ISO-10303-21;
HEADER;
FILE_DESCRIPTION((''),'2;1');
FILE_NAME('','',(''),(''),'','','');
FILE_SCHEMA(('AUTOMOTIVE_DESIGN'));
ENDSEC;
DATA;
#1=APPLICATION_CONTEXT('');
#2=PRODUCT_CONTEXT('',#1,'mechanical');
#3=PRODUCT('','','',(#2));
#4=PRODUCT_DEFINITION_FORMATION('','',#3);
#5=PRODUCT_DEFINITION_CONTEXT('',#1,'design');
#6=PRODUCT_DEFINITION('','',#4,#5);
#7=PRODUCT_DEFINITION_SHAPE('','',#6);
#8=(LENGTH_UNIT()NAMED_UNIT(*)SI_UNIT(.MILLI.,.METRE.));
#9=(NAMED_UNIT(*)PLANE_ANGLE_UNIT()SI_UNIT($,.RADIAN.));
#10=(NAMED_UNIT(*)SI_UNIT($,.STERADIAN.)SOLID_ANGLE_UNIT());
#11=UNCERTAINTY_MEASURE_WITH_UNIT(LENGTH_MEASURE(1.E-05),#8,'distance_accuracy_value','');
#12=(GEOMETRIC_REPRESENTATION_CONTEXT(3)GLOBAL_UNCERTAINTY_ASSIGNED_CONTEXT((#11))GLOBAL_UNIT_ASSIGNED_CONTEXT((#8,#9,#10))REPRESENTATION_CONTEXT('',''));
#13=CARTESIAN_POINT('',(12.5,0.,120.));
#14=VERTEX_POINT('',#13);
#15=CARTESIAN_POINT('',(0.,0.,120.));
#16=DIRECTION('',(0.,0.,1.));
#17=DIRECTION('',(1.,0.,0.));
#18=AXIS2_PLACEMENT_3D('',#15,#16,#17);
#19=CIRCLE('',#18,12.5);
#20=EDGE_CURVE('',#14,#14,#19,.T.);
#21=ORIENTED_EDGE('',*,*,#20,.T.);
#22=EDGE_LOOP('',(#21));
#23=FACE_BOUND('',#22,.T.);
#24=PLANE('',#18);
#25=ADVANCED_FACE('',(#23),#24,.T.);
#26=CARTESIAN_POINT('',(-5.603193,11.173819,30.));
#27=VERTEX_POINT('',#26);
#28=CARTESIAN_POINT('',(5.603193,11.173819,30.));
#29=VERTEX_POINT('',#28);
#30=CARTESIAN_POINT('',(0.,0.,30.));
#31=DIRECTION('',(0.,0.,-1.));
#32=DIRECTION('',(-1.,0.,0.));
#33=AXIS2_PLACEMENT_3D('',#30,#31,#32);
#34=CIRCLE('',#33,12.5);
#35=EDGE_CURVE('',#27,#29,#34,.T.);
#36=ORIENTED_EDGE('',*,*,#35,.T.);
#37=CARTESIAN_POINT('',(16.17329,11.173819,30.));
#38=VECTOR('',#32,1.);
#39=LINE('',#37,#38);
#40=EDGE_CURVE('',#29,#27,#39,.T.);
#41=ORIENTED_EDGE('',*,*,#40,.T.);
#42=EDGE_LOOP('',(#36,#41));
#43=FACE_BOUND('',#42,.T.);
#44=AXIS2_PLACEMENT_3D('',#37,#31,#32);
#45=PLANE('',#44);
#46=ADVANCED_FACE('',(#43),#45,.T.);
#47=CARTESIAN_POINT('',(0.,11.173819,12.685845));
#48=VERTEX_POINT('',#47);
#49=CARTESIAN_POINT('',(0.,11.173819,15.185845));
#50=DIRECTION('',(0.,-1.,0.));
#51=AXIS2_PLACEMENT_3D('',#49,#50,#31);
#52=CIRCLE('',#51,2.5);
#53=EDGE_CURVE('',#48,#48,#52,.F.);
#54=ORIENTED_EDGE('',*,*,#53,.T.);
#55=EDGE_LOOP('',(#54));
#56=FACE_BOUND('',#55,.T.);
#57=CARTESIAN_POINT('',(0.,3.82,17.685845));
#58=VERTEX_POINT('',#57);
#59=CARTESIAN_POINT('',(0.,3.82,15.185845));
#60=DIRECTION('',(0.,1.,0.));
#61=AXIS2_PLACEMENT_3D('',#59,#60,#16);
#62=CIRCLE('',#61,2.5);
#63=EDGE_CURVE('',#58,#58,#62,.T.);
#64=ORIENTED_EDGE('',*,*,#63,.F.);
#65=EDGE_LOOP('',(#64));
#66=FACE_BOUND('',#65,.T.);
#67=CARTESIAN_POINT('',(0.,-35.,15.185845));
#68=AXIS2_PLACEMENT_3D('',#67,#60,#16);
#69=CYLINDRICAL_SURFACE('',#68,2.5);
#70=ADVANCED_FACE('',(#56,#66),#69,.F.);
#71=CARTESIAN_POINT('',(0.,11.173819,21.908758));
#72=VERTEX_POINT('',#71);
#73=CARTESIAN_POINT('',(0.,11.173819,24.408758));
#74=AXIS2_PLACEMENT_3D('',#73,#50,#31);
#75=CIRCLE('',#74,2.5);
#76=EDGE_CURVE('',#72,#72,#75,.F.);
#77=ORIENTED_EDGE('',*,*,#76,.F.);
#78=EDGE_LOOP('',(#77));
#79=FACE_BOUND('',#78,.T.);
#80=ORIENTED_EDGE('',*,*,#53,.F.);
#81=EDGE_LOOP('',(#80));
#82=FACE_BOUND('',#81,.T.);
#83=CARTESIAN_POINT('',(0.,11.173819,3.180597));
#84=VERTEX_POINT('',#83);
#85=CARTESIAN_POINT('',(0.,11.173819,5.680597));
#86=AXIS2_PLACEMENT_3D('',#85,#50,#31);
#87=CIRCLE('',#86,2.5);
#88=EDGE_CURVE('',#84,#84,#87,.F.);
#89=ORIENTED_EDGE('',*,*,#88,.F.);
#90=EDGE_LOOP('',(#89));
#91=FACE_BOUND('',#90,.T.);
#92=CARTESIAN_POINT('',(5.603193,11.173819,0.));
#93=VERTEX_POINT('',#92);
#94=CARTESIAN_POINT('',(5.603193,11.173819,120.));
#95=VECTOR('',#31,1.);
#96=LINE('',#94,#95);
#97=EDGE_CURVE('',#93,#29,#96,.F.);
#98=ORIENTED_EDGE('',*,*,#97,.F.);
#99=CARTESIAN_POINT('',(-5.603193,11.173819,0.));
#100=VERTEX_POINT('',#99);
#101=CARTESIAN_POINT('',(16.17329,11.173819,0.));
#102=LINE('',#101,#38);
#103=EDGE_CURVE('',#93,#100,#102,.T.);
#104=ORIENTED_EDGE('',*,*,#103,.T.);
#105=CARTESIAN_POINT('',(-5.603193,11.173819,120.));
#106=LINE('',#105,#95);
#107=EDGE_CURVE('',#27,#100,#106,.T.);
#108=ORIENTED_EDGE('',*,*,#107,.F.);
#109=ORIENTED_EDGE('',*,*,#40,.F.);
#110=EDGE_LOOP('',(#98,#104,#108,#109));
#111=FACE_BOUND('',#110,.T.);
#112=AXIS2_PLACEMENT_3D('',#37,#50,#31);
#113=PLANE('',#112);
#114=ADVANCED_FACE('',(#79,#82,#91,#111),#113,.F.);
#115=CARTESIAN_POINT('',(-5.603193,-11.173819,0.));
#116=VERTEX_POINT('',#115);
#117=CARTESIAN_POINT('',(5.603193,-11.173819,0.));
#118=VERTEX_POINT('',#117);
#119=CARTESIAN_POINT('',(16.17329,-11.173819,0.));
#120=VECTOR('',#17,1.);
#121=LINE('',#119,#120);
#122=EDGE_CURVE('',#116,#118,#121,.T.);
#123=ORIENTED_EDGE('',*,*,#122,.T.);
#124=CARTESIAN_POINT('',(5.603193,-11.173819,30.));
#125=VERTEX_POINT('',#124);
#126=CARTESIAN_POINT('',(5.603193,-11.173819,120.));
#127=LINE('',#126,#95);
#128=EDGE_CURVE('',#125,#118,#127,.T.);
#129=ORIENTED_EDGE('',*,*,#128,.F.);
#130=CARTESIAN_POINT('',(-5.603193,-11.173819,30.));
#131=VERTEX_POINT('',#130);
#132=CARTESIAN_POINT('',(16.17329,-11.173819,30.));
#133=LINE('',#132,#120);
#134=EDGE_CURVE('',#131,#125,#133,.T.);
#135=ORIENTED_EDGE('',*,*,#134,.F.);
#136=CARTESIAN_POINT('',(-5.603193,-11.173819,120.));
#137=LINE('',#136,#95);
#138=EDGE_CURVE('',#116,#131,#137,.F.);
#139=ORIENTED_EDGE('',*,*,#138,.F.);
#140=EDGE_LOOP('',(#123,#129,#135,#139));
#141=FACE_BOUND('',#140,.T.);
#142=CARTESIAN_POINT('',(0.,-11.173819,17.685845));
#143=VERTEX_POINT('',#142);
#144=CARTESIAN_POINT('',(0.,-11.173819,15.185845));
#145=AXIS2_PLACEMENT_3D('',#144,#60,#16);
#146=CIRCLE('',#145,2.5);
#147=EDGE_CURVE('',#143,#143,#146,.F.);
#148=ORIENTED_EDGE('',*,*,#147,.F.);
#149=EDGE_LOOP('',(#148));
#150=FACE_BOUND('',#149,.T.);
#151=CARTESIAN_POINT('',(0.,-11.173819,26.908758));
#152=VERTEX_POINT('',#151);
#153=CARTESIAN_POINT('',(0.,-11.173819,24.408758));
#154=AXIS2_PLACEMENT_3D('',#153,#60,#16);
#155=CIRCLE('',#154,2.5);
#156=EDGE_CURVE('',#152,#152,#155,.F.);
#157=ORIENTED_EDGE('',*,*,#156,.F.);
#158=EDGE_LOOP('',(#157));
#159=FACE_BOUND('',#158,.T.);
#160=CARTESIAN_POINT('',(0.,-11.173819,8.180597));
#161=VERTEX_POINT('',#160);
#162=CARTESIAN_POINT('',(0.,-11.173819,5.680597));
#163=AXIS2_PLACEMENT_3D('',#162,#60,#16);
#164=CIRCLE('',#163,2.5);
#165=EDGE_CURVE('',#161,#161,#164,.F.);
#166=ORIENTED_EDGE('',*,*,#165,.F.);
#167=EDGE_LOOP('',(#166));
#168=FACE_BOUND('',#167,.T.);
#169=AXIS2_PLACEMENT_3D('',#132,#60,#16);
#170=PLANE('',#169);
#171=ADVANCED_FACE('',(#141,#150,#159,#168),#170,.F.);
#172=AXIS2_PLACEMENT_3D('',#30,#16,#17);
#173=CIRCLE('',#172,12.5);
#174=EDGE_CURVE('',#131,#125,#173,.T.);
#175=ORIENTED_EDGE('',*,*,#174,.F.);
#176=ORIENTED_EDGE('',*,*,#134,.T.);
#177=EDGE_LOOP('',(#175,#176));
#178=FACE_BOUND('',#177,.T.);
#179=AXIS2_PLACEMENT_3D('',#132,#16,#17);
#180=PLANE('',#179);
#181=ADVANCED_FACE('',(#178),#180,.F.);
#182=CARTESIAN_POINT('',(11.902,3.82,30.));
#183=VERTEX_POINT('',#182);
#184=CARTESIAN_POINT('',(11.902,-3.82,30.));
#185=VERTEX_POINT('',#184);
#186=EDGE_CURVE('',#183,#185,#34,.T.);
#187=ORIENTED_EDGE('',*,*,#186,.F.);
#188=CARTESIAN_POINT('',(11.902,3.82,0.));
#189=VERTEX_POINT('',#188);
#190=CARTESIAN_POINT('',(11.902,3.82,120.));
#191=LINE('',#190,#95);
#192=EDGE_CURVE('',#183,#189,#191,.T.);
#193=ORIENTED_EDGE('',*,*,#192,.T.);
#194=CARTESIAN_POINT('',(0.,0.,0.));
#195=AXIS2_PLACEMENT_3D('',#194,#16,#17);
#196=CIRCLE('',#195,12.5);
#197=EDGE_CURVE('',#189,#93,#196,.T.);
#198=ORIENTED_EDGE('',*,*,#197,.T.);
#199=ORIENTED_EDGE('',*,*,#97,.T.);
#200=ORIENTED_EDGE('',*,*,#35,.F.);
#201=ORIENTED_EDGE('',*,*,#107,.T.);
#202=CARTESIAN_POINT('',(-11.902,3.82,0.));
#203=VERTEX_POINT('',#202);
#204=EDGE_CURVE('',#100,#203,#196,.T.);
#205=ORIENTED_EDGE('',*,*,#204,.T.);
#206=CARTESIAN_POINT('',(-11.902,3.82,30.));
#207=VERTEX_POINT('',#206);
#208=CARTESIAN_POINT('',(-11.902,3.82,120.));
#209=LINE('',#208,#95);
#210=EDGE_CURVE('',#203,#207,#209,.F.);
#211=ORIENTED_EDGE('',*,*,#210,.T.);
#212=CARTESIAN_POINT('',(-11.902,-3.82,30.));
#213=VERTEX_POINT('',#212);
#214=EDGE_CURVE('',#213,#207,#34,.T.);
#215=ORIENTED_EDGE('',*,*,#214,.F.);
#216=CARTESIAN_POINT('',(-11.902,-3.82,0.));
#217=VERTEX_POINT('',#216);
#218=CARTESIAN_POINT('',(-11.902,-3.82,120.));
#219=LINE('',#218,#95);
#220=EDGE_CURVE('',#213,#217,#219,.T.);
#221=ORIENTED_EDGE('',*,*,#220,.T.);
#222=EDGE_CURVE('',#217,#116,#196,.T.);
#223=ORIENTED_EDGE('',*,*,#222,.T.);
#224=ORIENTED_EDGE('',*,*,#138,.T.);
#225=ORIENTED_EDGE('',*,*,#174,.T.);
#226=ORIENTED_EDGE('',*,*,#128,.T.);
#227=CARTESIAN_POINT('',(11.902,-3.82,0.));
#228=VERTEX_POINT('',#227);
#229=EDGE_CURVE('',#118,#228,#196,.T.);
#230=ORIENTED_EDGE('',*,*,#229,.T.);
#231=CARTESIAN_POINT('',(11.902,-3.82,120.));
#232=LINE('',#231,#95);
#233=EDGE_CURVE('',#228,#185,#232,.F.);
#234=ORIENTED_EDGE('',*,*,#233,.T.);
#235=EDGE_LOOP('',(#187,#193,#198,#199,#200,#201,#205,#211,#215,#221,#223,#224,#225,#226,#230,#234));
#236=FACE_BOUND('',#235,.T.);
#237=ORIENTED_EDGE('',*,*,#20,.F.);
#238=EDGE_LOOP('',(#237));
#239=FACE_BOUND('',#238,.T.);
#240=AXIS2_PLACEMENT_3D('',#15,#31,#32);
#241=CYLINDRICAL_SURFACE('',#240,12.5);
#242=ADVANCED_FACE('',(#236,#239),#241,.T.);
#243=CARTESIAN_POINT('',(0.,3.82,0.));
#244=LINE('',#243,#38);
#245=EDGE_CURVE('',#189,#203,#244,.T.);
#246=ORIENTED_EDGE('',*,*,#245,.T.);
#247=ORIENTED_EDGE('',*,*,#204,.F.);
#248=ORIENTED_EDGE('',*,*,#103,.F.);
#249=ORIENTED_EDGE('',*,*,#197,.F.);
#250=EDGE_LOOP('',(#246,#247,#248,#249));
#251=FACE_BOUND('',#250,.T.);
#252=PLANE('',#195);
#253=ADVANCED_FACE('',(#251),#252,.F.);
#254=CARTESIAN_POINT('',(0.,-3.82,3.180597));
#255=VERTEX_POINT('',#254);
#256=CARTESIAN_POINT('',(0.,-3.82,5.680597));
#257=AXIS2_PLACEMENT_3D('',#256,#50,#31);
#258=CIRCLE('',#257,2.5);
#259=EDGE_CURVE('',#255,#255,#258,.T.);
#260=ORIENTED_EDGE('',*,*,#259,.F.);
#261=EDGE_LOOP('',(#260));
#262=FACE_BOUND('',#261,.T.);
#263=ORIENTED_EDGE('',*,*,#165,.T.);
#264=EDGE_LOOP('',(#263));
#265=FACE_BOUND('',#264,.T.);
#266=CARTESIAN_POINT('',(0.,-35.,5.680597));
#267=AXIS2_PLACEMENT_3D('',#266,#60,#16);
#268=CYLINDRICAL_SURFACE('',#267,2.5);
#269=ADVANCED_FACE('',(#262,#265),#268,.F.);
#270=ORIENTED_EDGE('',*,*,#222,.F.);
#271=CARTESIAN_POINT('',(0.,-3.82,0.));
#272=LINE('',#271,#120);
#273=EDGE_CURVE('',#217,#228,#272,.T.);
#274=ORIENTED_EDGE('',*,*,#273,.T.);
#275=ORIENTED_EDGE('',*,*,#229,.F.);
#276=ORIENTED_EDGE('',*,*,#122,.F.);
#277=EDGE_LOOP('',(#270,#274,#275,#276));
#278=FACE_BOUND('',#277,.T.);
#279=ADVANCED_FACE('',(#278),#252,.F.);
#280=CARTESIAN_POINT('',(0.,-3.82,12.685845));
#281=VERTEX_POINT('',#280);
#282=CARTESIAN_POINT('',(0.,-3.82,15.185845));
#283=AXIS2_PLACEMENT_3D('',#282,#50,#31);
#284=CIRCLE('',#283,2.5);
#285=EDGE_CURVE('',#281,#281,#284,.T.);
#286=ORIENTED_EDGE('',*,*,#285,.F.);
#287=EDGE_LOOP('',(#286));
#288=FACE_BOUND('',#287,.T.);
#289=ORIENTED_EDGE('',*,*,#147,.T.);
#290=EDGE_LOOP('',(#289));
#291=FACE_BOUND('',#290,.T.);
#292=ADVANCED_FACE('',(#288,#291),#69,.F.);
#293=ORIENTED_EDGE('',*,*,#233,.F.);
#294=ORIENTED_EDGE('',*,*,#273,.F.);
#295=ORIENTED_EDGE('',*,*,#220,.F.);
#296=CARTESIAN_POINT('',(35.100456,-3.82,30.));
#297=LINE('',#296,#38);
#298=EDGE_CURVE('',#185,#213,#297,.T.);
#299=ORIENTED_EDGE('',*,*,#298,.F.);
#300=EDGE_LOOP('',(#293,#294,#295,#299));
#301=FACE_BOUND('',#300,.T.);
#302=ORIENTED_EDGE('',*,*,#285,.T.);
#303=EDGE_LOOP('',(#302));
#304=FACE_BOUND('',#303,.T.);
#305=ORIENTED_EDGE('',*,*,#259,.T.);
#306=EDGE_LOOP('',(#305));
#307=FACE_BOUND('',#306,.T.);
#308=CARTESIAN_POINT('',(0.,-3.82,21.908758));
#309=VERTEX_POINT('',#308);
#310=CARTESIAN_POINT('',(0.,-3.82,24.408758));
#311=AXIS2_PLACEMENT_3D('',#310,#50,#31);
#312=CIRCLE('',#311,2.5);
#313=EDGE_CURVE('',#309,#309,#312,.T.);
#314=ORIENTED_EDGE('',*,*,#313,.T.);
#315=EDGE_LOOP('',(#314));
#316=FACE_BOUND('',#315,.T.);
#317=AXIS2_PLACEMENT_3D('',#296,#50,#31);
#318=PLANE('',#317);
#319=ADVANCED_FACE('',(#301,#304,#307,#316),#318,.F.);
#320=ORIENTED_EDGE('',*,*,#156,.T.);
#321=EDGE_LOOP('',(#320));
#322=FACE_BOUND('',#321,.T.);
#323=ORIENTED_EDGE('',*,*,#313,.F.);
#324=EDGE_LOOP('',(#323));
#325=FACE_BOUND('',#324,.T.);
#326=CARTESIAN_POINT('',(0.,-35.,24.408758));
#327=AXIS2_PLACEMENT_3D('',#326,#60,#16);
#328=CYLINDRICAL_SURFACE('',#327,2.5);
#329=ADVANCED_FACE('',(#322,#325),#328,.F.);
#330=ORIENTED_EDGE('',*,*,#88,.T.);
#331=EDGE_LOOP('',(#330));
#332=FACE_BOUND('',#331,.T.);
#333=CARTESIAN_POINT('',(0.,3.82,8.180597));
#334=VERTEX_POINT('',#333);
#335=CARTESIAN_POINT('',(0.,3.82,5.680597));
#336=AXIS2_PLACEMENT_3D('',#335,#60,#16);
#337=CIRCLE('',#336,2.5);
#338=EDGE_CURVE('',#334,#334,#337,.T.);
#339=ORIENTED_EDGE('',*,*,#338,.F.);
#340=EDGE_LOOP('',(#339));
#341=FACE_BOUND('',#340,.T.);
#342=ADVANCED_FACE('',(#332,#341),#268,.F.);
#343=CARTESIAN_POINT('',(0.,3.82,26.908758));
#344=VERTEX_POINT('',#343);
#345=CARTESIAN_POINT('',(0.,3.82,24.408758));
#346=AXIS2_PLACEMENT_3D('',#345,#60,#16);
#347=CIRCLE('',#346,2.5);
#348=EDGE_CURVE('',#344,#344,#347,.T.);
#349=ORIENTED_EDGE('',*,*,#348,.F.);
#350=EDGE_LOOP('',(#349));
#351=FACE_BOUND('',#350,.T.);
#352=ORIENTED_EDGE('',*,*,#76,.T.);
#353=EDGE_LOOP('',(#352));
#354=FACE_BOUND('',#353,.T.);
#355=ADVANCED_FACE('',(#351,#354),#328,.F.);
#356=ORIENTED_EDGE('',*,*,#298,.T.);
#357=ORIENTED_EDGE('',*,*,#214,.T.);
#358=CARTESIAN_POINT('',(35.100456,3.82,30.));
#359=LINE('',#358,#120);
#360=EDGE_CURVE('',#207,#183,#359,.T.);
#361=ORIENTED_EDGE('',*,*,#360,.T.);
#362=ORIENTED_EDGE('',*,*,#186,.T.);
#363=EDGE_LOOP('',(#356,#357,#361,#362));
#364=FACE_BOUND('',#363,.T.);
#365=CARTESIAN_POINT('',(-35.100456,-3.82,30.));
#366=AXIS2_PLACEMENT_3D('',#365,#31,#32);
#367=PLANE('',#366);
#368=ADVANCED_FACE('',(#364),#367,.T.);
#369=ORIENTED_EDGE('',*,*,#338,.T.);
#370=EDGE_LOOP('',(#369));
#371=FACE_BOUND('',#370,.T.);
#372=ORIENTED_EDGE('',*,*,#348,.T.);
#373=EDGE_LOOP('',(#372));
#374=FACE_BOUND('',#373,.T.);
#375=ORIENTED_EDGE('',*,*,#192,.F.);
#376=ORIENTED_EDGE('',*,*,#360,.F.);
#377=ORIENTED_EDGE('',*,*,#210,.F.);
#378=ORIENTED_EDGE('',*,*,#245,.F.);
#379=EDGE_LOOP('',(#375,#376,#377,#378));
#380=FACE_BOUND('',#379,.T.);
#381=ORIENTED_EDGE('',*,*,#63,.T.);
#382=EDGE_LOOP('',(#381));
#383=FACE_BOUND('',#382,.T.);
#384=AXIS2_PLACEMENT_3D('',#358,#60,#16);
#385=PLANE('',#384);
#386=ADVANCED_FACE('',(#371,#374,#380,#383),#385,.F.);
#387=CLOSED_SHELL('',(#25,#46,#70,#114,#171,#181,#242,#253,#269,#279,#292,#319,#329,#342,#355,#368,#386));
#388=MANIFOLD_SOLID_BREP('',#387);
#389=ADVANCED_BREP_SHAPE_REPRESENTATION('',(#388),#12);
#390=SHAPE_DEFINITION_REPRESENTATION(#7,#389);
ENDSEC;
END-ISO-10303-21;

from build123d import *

# Parameters (mm, degrees)
SKETCH_1_R          = 12.5
EXTRUDE_1_DEPTH     = 120
SKETCH_2_W          = 70.200911856
SKETCH_2_H          = 7.64
CUT_EXTRUDE_2_DEPTH = 30
SKETCH_4_R          = 2.5
CUT_EXTRUDE_1_DEPTH = 35
SKETCH_5_W          = 33.79642712
SKETCH_5_H          = 6.499312907
CUT_EXTRUDE_4_DEPTH = 30


with BuildPart() as part:
    # Эскиз1 → Вытянуть1 (new body)
    with BuildSketch(Plane.XY):
        Circle(SKETCH_1_R)
    extrude(amount=EXTRUDE_1_DEPTH)

    # Эскиз2 → Вытянуть2 (cut)
    with BuildSketch(Plane(origin=(0, 0, 0), x_dir=(-1, 0, 0), z_dir=(0, 0, -1))):
        Rectangle(SKETCH_2_W, SKETCH_2_H)
    extrude(amount=-CUT_EXTRUDE_2_DEPTH, mode=Mode.SUBTRACT)

    # Эскиз4 → Вырез-Вытянуть1 (cut, symmetric)
    with BuildSketch(Plane(origin=(0, 0, 0), x_dir=(1, 0, 0), z_dir=(0, 1, 0))):
        with Locations(Location((0, -5.680597097, 0), (0, 0, 270))):
            Circle(SKETCH_4_R)
        with Locations(Location((0, -15.185844734, 0), (0, 0, 270))):
            Circle(SKETCH_4_R)
        with Locations(Location((0, -24.408758256, 0), (0, 0, 270))):
            Circle(SKETCH_4_R)
    extrude(amount=CUT_EXTRUDE_1_DEPTH, both=True, mode=Mode.SUBTRACT)

    # Эскиз5 → Вытянуть4 (cut)
    with BuildSketch(Plane(origin=(0, 0, 0), x_dir=(-1, 0, 0), z_dir=(0, 0, -1))):
        with Locations((0.724923363, -14.423475184)):
            Rectangle(SKETCH_5_W, SKETCH_5_H)
        with Locations((0.724923363, 14.423475184)):
            Rectangle(SKETCH_5_W, SKETCH_5_H)
    extrude(amount=-CUT_EXTRUDE_4_DEPTH, mode=Mode.SUBTRACT)


solid = part.part
